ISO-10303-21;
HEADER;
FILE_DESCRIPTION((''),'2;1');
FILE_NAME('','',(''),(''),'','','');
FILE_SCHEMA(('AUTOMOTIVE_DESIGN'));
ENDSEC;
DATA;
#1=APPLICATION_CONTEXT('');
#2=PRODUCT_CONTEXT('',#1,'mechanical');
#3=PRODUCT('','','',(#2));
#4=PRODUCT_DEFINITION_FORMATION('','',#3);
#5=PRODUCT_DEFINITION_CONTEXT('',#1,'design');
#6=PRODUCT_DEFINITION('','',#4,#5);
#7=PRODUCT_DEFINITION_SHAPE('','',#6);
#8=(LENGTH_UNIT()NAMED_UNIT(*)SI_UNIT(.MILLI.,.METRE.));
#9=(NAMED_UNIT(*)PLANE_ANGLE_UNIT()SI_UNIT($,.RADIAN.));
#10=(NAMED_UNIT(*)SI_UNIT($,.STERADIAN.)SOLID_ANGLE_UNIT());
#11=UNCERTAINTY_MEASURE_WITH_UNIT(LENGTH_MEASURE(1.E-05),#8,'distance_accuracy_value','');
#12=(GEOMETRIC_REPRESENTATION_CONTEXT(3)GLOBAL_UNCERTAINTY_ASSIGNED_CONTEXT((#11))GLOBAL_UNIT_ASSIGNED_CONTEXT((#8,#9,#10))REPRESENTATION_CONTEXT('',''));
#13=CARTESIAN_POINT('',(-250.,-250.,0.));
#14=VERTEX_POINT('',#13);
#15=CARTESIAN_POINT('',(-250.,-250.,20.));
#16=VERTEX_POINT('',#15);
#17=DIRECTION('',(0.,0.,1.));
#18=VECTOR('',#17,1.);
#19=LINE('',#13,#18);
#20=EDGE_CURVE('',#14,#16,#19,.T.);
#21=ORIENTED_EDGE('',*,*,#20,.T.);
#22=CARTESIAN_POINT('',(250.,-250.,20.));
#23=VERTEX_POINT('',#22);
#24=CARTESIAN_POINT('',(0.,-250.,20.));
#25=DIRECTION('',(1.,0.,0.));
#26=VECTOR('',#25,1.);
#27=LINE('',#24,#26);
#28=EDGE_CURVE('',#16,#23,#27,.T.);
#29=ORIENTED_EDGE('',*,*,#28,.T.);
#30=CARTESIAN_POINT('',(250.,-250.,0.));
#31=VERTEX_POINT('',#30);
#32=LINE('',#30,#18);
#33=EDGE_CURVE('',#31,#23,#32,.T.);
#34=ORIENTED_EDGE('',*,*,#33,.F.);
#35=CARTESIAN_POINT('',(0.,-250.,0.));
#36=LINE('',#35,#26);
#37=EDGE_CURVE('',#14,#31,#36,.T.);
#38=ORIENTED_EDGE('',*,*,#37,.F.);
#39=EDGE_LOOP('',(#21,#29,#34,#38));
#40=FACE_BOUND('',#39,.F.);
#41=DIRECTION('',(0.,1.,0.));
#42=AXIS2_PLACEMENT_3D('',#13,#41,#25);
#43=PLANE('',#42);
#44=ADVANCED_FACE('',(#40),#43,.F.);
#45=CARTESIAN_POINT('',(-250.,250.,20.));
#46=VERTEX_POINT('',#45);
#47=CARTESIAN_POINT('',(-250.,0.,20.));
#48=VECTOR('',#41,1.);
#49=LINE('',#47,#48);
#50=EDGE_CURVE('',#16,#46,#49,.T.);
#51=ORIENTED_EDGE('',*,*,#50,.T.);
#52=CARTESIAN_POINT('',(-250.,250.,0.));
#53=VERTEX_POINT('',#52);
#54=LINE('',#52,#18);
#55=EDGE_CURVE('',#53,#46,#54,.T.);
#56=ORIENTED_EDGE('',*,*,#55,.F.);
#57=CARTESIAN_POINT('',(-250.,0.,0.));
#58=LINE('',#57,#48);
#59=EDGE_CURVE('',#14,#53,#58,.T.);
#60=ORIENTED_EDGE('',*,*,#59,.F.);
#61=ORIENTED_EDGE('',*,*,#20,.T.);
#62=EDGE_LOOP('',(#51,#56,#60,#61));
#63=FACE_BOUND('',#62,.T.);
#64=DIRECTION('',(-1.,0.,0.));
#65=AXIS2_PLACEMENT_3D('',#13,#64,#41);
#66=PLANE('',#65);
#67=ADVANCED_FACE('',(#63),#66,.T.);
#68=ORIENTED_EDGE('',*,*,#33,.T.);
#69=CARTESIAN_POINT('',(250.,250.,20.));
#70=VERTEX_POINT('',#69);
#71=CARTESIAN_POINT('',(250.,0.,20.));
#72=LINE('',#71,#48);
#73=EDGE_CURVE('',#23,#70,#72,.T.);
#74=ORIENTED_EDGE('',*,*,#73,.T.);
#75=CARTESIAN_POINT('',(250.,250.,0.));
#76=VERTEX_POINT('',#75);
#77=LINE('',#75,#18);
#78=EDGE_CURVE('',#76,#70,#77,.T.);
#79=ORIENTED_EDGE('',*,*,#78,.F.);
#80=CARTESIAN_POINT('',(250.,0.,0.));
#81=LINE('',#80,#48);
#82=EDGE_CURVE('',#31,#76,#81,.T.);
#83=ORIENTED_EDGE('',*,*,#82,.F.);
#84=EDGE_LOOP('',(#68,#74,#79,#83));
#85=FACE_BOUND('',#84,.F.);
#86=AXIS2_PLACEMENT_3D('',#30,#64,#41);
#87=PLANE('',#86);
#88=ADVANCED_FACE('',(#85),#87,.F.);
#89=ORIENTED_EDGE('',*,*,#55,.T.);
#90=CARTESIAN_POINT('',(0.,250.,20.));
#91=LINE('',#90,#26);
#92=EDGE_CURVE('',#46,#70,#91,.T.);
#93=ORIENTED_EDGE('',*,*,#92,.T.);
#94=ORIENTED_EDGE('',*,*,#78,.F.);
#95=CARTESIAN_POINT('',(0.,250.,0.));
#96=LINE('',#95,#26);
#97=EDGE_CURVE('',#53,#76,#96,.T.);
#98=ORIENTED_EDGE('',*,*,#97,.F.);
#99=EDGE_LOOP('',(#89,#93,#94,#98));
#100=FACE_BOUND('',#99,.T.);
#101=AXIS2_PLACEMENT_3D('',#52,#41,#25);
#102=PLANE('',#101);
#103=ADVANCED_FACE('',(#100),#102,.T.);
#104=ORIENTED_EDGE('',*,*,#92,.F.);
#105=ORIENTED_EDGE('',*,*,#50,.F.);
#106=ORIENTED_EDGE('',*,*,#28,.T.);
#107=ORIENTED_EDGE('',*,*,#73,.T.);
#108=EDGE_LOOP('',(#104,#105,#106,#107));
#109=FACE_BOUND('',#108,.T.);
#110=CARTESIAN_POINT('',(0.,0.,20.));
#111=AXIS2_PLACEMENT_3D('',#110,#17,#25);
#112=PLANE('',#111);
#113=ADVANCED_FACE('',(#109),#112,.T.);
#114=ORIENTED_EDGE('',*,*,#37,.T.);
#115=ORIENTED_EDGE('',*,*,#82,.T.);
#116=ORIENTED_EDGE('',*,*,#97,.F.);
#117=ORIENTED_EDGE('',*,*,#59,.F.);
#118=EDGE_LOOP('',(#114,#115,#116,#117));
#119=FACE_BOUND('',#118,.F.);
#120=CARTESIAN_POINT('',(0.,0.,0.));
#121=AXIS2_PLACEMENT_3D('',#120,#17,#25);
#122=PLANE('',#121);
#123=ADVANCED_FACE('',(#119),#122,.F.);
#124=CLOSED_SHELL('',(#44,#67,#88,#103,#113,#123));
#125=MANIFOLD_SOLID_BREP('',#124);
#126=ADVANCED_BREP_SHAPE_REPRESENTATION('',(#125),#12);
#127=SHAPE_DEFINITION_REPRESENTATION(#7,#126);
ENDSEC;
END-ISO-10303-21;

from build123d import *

# Parameters (mm, degrees)
SKIZZE1_W                       = 500
SKIZZE1_H                       = 500
AUFSATZ_LINEAR_AUSTRAGEN1_DEPTH = 20


with BuildPart() as part:
    # Skizze1 → Aufsatz-Linear austragen1 (new body)
    with BuildSketch(Plane.XY):
        Rectangle(SKIZZE1_W, SKIZZE1_H)
    extrude(amount=AUFSATZ_LINEAR_AUSTRAGEN1_DEPTH)


solid = part.part
